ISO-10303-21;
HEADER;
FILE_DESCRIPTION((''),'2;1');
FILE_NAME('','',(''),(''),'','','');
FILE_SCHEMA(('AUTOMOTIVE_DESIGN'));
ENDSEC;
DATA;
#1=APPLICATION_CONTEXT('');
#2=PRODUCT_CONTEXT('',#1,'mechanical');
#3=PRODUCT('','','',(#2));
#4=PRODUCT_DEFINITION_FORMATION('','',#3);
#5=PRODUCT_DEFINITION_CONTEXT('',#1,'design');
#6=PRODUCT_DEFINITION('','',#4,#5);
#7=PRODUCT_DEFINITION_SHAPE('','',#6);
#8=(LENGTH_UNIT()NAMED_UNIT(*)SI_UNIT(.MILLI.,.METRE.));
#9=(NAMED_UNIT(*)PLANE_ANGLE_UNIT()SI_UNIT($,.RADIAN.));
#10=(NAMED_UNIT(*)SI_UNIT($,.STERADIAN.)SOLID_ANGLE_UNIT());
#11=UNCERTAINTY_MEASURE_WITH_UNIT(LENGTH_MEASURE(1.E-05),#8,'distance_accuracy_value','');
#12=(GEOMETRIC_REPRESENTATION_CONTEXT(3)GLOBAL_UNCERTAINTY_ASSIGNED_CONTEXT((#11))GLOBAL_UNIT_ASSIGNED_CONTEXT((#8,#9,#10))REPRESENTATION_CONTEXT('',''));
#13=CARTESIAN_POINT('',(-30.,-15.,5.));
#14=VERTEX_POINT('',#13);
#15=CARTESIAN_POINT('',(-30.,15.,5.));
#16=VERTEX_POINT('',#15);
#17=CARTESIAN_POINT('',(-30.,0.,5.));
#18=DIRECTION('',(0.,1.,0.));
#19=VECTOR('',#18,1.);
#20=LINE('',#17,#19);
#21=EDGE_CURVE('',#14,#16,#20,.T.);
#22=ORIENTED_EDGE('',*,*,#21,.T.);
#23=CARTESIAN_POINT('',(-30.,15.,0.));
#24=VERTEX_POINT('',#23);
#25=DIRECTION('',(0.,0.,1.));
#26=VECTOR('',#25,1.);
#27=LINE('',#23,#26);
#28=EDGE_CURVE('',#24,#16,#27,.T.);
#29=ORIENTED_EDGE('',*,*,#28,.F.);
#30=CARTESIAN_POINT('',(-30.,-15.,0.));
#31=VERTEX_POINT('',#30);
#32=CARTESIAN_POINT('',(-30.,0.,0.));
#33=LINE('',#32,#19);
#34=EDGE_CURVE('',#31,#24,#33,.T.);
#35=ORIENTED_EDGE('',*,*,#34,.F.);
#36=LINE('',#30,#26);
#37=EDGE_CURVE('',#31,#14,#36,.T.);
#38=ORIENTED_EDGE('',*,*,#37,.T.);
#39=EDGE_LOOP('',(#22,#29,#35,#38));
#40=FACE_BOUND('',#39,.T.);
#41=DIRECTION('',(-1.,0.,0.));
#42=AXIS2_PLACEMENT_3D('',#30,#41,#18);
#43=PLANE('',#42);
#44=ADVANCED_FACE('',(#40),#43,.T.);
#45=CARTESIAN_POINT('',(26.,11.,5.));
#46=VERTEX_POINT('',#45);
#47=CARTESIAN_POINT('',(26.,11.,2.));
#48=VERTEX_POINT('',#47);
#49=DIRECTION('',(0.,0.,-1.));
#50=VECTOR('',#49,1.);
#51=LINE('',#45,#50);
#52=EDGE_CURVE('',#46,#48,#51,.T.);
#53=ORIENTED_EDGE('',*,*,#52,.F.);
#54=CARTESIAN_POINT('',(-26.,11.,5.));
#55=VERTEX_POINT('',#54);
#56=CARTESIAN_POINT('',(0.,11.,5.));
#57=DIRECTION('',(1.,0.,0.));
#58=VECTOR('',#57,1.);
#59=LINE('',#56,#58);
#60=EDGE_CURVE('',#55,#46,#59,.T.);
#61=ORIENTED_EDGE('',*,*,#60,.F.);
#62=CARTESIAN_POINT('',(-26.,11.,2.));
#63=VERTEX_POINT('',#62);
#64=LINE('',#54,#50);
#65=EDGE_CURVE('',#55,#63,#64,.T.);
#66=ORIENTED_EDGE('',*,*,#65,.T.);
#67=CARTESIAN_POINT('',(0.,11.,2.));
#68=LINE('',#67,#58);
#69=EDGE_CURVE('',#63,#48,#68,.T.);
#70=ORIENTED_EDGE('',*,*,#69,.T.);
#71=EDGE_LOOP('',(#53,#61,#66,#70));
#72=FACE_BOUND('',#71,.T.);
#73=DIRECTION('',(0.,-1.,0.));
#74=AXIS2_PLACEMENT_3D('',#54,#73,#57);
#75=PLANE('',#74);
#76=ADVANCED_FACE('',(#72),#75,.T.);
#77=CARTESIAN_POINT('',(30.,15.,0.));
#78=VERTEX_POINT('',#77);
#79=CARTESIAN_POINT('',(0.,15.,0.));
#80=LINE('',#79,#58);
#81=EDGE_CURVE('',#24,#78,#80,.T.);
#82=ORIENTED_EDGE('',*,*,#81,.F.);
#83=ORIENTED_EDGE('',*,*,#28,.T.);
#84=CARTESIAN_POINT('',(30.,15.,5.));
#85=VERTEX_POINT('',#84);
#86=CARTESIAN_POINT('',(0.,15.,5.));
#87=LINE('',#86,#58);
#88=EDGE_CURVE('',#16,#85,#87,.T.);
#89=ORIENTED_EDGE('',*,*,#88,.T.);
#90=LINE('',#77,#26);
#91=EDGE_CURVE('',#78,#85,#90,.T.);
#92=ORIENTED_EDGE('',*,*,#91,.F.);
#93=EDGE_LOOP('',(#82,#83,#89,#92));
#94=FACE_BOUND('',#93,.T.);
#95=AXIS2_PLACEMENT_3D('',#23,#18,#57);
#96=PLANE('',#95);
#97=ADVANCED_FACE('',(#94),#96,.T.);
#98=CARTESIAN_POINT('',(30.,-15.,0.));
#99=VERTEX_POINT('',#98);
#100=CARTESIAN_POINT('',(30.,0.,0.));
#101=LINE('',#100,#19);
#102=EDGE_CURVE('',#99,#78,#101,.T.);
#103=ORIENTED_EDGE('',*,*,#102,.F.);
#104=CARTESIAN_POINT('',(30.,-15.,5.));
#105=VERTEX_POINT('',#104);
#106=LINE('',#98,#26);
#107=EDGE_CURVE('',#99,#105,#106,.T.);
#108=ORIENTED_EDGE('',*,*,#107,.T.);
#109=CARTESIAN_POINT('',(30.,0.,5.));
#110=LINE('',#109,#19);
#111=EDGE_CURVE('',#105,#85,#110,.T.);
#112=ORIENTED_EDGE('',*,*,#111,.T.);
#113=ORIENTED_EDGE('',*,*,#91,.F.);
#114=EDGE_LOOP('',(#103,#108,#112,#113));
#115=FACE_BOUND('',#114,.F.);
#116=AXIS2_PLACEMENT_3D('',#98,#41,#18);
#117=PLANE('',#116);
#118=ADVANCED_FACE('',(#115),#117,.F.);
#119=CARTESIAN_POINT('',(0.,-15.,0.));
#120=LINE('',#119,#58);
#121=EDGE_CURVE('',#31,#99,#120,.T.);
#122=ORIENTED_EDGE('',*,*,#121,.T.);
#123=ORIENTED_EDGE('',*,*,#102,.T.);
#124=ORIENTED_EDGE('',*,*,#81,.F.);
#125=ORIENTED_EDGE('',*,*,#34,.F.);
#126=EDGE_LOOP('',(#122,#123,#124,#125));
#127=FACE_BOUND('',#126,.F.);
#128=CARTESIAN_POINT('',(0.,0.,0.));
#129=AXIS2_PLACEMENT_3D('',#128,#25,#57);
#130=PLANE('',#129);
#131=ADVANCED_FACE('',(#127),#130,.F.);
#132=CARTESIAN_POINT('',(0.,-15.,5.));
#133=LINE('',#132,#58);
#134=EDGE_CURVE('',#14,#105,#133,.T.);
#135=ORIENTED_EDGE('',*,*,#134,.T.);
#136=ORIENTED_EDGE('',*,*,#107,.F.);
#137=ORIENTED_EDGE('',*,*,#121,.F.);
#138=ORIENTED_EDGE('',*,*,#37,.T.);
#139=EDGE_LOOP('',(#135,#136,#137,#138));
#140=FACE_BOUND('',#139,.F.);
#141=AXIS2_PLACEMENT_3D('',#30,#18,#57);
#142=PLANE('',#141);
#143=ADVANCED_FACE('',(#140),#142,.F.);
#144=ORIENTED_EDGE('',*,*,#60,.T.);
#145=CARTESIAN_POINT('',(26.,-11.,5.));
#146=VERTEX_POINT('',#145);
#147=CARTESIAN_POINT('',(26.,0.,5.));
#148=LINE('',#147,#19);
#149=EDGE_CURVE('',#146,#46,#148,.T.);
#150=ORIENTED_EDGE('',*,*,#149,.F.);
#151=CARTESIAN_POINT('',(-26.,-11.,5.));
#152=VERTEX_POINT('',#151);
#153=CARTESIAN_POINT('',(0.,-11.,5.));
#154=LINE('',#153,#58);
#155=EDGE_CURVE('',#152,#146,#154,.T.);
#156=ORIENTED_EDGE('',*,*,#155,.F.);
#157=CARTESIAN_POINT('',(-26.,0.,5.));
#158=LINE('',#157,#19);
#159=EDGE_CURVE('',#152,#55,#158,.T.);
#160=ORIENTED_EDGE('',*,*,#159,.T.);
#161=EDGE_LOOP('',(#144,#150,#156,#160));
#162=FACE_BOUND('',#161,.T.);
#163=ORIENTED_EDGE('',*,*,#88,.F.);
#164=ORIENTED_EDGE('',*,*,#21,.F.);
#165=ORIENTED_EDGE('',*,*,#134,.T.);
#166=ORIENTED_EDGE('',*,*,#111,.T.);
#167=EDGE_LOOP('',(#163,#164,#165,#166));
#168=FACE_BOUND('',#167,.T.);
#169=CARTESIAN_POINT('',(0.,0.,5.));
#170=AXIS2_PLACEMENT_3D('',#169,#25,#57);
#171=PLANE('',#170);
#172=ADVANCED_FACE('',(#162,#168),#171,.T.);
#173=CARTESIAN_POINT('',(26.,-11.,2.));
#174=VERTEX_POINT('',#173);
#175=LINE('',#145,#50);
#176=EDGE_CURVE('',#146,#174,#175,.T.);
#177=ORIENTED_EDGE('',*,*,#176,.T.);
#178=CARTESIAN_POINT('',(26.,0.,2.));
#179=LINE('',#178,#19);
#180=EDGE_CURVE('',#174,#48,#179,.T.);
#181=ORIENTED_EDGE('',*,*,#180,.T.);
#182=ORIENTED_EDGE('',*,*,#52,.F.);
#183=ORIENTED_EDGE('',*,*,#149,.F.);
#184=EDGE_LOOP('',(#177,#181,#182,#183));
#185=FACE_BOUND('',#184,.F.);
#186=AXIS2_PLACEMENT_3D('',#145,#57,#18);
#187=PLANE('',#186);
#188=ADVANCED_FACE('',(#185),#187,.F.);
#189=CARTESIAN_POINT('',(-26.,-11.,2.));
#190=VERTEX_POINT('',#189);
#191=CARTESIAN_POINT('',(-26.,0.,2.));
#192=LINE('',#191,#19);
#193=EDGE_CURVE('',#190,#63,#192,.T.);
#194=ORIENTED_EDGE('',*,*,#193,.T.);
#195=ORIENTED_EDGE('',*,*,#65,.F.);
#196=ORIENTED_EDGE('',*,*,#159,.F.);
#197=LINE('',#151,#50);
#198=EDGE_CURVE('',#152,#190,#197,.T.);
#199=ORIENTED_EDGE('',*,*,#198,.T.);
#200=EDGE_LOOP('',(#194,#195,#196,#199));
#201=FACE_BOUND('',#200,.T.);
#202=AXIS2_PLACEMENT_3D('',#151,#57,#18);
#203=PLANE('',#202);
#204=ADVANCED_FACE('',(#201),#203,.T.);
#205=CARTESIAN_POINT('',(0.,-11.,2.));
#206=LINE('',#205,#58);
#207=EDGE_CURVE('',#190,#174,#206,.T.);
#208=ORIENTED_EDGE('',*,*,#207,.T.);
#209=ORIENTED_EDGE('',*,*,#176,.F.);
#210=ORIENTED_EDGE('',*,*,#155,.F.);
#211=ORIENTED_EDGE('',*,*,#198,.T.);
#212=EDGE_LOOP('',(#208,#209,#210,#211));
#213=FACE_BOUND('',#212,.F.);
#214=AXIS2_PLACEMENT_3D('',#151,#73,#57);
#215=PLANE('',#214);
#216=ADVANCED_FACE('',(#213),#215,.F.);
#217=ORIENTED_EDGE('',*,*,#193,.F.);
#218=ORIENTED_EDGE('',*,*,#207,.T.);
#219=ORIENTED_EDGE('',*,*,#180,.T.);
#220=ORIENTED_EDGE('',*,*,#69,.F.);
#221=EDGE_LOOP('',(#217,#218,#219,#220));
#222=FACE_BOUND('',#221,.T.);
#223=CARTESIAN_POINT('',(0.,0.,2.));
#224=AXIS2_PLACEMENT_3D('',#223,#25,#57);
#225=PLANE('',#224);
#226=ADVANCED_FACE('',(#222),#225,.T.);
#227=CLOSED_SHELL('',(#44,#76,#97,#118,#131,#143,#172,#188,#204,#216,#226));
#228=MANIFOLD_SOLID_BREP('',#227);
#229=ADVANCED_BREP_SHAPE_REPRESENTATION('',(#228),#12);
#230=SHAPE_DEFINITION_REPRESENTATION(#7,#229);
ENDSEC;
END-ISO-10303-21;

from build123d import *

# Parameters (mm, degrees)
SKETCH_W     = 60
SKETCH_H     = 30
PAD_DEPTH    = 5
SKETCH001_W  = 52
SKETCH001_H  = 22
POCKET_DEPTH = 3


with BuildPart() as part:
    # Sketch → Pad (new body)
    with BuildSketch(Plane.XY):
        Rectangle(SKETCH_W, SKETCH_H)
    extrude(amount=PAD_DEPTH)

    # Sketch001 (on DatumPlane) → Pocket (cut)
    with BuildSketch(Plane.XY.offset(5)):
        Rectangle(SKETCH001_W, SKETCH001_H)
    extrude(amount=-POCKET_DEPTH, mode=Mode.SUBTRACT)


solid = part.part
